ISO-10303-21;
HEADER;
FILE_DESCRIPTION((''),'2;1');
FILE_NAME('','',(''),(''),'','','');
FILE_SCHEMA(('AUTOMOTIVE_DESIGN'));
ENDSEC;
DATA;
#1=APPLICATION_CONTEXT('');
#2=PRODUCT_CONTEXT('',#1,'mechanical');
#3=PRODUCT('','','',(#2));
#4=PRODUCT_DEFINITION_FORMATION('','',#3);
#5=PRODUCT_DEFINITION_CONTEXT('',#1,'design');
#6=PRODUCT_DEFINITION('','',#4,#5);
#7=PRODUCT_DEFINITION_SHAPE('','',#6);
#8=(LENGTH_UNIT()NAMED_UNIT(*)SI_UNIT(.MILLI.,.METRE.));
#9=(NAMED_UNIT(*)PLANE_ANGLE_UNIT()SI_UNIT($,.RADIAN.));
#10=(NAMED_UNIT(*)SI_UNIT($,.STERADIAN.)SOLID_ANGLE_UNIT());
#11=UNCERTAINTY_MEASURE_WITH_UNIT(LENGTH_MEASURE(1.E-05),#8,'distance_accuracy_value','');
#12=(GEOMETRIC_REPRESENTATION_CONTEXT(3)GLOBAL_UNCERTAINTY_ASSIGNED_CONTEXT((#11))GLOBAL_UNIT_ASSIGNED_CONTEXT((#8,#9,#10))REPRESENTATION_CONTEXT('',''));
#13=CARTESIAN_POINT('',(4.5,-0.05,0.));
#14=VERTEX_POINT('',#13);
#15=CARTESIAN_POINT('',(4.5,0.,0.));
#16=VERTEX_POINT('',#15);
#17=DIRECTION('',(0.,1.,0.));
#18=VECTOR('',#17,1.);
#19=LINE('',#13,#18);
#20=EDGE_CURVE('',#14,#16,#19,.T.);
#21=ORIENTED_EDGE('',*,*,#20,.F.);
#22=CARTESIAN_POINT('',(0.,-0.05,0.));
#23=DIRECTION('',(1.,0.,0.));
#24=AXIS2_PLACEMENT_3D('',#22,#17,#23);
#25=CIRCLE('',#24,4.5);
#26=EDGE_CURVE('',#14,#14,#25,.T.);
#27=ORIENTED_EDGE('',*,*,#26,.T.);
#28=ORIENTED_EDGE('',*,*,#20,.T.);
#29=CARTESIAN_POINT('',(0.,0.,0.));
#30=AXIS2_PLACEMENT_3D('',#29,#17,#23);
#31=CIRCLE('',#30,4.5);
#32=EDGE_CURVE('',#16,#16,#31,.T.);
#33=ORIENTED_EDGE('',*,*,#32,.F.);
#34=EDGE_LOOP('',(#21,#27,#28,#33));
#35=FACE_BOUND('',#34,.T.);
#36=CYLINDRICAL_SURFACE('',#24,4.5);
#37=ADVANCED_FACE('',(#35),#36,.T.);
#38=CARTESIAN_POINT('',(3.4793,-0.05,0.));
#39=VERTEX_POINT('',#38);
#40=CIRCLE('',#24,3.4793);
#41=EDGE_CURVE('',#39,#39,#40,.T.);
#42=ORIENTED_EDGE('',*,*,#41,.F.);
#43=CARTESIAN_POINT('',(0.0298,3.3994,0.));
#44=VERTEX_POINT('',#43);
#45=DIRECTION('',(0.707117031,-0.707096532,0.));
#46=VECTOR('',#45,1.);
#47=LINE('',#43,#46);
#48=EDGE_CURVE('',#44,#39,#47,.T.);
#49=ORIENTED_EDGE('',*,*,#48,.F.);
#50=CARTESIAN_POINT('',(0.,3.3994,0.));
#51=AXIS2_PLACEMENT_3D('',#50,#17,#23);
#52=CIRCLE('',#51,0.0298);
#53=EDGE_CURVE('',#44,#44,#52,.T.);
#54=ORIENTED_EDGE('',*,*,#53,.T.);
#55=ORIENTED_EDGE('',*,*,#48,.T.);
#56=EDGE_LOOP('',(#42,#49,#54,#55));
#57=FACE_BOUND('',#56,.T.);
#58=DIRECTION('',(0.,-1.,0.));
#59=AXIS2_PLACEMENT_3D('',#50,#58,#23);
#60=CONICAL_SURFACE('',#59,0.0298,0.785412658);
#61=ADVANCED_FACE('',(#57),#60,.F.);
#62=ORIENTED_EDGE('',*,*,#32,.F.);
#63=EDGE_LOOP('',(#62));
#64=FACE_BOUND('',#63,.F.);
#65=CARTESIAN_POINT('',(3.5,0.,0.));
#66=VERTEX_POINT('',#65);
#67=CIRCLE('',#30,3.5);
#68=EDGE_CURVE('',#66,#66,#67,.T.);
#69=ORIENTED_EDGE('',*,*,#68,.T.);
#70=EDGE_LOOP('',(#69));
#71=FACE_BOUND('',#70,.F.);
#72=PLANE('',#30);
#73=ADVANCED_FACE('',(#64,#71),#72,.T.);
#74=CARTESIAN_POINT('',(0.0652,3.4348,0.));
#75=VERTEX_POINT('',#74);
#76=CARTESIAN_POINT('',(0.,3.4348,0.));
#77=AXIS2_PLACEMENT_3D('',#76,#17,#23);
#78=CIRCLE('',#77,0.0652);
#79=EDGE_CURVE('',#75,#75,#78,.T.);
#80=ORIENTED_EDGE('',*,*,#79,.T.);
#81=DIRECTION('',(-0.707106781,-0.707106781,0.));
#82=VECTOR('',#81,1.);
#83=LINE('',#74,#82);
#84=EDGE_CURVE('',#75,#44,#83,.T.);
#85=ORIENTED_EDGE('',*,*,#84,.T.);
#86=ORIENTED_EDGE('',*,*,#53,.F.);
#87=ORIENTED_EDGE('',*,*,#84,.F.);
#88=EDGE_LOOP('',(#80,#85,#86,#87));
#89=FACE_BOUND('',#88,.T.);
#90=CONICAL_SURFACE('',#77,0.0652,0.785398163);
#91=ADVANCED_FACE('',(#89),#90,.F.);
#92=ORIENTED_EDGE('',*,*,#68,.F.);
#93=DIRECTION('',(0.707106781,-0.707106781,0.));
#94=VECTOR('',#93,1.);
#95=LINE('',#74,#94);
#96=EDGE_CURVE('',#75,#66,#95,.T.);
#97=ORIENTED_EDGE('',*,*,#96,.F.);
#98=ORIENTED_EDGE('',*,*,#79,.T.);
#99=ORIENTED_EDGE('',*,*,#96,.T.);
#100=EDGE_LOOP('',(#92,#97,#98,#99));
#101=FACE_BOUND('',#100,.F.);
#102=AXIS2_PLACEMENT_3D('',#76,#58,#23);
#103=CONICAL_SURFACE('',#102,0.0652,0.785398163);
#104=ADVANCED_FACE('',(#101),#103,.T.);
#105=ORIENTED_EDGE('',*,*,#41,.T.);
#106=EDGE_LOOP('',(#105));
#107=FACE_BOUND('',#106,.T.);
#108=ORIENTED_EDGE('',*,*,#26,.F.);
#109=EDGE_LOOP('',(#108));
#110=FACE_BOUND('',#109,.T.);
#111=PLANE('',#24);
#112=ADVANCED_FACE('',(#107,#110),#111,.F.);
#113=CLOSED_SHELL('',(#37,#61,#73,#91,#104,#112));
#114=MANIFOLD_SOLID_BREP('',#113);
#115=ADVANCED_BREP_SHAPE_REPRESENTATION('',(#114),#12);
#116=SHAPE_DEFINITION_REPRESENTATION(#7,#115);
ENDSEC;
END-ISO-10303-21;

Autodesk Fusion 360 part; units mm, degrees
sketch "Sketch1" plane through (0, 0, 0) normal (0, 0, 1) x (1, 0, 0)
  line L0 (0.0652, 3.4348) -> (3.5, 0)
  line L1 (3.5, 0) -> (4.5, 0)
  line L2 (0.0298, 3.3994) -> (3.4793, -0.05)
  line L3 (3.4793, -0.05) -> (4.5, -0.05)
  line L4 (0.0652, 3.4348) -> (0.0298, 3.3994)
  line L5 (4.5, -0.05) -> (4.5, 0)
  dimension "d1" = 3.5
  dimension "d2" = 1
  dimension "d3" = 45
  dimension "d4" = 0.05
revolve "Revolve1" add sketch "Sketch1" angle 360 about axis through (0, 1.75, 0) along (0, 1, 0)
